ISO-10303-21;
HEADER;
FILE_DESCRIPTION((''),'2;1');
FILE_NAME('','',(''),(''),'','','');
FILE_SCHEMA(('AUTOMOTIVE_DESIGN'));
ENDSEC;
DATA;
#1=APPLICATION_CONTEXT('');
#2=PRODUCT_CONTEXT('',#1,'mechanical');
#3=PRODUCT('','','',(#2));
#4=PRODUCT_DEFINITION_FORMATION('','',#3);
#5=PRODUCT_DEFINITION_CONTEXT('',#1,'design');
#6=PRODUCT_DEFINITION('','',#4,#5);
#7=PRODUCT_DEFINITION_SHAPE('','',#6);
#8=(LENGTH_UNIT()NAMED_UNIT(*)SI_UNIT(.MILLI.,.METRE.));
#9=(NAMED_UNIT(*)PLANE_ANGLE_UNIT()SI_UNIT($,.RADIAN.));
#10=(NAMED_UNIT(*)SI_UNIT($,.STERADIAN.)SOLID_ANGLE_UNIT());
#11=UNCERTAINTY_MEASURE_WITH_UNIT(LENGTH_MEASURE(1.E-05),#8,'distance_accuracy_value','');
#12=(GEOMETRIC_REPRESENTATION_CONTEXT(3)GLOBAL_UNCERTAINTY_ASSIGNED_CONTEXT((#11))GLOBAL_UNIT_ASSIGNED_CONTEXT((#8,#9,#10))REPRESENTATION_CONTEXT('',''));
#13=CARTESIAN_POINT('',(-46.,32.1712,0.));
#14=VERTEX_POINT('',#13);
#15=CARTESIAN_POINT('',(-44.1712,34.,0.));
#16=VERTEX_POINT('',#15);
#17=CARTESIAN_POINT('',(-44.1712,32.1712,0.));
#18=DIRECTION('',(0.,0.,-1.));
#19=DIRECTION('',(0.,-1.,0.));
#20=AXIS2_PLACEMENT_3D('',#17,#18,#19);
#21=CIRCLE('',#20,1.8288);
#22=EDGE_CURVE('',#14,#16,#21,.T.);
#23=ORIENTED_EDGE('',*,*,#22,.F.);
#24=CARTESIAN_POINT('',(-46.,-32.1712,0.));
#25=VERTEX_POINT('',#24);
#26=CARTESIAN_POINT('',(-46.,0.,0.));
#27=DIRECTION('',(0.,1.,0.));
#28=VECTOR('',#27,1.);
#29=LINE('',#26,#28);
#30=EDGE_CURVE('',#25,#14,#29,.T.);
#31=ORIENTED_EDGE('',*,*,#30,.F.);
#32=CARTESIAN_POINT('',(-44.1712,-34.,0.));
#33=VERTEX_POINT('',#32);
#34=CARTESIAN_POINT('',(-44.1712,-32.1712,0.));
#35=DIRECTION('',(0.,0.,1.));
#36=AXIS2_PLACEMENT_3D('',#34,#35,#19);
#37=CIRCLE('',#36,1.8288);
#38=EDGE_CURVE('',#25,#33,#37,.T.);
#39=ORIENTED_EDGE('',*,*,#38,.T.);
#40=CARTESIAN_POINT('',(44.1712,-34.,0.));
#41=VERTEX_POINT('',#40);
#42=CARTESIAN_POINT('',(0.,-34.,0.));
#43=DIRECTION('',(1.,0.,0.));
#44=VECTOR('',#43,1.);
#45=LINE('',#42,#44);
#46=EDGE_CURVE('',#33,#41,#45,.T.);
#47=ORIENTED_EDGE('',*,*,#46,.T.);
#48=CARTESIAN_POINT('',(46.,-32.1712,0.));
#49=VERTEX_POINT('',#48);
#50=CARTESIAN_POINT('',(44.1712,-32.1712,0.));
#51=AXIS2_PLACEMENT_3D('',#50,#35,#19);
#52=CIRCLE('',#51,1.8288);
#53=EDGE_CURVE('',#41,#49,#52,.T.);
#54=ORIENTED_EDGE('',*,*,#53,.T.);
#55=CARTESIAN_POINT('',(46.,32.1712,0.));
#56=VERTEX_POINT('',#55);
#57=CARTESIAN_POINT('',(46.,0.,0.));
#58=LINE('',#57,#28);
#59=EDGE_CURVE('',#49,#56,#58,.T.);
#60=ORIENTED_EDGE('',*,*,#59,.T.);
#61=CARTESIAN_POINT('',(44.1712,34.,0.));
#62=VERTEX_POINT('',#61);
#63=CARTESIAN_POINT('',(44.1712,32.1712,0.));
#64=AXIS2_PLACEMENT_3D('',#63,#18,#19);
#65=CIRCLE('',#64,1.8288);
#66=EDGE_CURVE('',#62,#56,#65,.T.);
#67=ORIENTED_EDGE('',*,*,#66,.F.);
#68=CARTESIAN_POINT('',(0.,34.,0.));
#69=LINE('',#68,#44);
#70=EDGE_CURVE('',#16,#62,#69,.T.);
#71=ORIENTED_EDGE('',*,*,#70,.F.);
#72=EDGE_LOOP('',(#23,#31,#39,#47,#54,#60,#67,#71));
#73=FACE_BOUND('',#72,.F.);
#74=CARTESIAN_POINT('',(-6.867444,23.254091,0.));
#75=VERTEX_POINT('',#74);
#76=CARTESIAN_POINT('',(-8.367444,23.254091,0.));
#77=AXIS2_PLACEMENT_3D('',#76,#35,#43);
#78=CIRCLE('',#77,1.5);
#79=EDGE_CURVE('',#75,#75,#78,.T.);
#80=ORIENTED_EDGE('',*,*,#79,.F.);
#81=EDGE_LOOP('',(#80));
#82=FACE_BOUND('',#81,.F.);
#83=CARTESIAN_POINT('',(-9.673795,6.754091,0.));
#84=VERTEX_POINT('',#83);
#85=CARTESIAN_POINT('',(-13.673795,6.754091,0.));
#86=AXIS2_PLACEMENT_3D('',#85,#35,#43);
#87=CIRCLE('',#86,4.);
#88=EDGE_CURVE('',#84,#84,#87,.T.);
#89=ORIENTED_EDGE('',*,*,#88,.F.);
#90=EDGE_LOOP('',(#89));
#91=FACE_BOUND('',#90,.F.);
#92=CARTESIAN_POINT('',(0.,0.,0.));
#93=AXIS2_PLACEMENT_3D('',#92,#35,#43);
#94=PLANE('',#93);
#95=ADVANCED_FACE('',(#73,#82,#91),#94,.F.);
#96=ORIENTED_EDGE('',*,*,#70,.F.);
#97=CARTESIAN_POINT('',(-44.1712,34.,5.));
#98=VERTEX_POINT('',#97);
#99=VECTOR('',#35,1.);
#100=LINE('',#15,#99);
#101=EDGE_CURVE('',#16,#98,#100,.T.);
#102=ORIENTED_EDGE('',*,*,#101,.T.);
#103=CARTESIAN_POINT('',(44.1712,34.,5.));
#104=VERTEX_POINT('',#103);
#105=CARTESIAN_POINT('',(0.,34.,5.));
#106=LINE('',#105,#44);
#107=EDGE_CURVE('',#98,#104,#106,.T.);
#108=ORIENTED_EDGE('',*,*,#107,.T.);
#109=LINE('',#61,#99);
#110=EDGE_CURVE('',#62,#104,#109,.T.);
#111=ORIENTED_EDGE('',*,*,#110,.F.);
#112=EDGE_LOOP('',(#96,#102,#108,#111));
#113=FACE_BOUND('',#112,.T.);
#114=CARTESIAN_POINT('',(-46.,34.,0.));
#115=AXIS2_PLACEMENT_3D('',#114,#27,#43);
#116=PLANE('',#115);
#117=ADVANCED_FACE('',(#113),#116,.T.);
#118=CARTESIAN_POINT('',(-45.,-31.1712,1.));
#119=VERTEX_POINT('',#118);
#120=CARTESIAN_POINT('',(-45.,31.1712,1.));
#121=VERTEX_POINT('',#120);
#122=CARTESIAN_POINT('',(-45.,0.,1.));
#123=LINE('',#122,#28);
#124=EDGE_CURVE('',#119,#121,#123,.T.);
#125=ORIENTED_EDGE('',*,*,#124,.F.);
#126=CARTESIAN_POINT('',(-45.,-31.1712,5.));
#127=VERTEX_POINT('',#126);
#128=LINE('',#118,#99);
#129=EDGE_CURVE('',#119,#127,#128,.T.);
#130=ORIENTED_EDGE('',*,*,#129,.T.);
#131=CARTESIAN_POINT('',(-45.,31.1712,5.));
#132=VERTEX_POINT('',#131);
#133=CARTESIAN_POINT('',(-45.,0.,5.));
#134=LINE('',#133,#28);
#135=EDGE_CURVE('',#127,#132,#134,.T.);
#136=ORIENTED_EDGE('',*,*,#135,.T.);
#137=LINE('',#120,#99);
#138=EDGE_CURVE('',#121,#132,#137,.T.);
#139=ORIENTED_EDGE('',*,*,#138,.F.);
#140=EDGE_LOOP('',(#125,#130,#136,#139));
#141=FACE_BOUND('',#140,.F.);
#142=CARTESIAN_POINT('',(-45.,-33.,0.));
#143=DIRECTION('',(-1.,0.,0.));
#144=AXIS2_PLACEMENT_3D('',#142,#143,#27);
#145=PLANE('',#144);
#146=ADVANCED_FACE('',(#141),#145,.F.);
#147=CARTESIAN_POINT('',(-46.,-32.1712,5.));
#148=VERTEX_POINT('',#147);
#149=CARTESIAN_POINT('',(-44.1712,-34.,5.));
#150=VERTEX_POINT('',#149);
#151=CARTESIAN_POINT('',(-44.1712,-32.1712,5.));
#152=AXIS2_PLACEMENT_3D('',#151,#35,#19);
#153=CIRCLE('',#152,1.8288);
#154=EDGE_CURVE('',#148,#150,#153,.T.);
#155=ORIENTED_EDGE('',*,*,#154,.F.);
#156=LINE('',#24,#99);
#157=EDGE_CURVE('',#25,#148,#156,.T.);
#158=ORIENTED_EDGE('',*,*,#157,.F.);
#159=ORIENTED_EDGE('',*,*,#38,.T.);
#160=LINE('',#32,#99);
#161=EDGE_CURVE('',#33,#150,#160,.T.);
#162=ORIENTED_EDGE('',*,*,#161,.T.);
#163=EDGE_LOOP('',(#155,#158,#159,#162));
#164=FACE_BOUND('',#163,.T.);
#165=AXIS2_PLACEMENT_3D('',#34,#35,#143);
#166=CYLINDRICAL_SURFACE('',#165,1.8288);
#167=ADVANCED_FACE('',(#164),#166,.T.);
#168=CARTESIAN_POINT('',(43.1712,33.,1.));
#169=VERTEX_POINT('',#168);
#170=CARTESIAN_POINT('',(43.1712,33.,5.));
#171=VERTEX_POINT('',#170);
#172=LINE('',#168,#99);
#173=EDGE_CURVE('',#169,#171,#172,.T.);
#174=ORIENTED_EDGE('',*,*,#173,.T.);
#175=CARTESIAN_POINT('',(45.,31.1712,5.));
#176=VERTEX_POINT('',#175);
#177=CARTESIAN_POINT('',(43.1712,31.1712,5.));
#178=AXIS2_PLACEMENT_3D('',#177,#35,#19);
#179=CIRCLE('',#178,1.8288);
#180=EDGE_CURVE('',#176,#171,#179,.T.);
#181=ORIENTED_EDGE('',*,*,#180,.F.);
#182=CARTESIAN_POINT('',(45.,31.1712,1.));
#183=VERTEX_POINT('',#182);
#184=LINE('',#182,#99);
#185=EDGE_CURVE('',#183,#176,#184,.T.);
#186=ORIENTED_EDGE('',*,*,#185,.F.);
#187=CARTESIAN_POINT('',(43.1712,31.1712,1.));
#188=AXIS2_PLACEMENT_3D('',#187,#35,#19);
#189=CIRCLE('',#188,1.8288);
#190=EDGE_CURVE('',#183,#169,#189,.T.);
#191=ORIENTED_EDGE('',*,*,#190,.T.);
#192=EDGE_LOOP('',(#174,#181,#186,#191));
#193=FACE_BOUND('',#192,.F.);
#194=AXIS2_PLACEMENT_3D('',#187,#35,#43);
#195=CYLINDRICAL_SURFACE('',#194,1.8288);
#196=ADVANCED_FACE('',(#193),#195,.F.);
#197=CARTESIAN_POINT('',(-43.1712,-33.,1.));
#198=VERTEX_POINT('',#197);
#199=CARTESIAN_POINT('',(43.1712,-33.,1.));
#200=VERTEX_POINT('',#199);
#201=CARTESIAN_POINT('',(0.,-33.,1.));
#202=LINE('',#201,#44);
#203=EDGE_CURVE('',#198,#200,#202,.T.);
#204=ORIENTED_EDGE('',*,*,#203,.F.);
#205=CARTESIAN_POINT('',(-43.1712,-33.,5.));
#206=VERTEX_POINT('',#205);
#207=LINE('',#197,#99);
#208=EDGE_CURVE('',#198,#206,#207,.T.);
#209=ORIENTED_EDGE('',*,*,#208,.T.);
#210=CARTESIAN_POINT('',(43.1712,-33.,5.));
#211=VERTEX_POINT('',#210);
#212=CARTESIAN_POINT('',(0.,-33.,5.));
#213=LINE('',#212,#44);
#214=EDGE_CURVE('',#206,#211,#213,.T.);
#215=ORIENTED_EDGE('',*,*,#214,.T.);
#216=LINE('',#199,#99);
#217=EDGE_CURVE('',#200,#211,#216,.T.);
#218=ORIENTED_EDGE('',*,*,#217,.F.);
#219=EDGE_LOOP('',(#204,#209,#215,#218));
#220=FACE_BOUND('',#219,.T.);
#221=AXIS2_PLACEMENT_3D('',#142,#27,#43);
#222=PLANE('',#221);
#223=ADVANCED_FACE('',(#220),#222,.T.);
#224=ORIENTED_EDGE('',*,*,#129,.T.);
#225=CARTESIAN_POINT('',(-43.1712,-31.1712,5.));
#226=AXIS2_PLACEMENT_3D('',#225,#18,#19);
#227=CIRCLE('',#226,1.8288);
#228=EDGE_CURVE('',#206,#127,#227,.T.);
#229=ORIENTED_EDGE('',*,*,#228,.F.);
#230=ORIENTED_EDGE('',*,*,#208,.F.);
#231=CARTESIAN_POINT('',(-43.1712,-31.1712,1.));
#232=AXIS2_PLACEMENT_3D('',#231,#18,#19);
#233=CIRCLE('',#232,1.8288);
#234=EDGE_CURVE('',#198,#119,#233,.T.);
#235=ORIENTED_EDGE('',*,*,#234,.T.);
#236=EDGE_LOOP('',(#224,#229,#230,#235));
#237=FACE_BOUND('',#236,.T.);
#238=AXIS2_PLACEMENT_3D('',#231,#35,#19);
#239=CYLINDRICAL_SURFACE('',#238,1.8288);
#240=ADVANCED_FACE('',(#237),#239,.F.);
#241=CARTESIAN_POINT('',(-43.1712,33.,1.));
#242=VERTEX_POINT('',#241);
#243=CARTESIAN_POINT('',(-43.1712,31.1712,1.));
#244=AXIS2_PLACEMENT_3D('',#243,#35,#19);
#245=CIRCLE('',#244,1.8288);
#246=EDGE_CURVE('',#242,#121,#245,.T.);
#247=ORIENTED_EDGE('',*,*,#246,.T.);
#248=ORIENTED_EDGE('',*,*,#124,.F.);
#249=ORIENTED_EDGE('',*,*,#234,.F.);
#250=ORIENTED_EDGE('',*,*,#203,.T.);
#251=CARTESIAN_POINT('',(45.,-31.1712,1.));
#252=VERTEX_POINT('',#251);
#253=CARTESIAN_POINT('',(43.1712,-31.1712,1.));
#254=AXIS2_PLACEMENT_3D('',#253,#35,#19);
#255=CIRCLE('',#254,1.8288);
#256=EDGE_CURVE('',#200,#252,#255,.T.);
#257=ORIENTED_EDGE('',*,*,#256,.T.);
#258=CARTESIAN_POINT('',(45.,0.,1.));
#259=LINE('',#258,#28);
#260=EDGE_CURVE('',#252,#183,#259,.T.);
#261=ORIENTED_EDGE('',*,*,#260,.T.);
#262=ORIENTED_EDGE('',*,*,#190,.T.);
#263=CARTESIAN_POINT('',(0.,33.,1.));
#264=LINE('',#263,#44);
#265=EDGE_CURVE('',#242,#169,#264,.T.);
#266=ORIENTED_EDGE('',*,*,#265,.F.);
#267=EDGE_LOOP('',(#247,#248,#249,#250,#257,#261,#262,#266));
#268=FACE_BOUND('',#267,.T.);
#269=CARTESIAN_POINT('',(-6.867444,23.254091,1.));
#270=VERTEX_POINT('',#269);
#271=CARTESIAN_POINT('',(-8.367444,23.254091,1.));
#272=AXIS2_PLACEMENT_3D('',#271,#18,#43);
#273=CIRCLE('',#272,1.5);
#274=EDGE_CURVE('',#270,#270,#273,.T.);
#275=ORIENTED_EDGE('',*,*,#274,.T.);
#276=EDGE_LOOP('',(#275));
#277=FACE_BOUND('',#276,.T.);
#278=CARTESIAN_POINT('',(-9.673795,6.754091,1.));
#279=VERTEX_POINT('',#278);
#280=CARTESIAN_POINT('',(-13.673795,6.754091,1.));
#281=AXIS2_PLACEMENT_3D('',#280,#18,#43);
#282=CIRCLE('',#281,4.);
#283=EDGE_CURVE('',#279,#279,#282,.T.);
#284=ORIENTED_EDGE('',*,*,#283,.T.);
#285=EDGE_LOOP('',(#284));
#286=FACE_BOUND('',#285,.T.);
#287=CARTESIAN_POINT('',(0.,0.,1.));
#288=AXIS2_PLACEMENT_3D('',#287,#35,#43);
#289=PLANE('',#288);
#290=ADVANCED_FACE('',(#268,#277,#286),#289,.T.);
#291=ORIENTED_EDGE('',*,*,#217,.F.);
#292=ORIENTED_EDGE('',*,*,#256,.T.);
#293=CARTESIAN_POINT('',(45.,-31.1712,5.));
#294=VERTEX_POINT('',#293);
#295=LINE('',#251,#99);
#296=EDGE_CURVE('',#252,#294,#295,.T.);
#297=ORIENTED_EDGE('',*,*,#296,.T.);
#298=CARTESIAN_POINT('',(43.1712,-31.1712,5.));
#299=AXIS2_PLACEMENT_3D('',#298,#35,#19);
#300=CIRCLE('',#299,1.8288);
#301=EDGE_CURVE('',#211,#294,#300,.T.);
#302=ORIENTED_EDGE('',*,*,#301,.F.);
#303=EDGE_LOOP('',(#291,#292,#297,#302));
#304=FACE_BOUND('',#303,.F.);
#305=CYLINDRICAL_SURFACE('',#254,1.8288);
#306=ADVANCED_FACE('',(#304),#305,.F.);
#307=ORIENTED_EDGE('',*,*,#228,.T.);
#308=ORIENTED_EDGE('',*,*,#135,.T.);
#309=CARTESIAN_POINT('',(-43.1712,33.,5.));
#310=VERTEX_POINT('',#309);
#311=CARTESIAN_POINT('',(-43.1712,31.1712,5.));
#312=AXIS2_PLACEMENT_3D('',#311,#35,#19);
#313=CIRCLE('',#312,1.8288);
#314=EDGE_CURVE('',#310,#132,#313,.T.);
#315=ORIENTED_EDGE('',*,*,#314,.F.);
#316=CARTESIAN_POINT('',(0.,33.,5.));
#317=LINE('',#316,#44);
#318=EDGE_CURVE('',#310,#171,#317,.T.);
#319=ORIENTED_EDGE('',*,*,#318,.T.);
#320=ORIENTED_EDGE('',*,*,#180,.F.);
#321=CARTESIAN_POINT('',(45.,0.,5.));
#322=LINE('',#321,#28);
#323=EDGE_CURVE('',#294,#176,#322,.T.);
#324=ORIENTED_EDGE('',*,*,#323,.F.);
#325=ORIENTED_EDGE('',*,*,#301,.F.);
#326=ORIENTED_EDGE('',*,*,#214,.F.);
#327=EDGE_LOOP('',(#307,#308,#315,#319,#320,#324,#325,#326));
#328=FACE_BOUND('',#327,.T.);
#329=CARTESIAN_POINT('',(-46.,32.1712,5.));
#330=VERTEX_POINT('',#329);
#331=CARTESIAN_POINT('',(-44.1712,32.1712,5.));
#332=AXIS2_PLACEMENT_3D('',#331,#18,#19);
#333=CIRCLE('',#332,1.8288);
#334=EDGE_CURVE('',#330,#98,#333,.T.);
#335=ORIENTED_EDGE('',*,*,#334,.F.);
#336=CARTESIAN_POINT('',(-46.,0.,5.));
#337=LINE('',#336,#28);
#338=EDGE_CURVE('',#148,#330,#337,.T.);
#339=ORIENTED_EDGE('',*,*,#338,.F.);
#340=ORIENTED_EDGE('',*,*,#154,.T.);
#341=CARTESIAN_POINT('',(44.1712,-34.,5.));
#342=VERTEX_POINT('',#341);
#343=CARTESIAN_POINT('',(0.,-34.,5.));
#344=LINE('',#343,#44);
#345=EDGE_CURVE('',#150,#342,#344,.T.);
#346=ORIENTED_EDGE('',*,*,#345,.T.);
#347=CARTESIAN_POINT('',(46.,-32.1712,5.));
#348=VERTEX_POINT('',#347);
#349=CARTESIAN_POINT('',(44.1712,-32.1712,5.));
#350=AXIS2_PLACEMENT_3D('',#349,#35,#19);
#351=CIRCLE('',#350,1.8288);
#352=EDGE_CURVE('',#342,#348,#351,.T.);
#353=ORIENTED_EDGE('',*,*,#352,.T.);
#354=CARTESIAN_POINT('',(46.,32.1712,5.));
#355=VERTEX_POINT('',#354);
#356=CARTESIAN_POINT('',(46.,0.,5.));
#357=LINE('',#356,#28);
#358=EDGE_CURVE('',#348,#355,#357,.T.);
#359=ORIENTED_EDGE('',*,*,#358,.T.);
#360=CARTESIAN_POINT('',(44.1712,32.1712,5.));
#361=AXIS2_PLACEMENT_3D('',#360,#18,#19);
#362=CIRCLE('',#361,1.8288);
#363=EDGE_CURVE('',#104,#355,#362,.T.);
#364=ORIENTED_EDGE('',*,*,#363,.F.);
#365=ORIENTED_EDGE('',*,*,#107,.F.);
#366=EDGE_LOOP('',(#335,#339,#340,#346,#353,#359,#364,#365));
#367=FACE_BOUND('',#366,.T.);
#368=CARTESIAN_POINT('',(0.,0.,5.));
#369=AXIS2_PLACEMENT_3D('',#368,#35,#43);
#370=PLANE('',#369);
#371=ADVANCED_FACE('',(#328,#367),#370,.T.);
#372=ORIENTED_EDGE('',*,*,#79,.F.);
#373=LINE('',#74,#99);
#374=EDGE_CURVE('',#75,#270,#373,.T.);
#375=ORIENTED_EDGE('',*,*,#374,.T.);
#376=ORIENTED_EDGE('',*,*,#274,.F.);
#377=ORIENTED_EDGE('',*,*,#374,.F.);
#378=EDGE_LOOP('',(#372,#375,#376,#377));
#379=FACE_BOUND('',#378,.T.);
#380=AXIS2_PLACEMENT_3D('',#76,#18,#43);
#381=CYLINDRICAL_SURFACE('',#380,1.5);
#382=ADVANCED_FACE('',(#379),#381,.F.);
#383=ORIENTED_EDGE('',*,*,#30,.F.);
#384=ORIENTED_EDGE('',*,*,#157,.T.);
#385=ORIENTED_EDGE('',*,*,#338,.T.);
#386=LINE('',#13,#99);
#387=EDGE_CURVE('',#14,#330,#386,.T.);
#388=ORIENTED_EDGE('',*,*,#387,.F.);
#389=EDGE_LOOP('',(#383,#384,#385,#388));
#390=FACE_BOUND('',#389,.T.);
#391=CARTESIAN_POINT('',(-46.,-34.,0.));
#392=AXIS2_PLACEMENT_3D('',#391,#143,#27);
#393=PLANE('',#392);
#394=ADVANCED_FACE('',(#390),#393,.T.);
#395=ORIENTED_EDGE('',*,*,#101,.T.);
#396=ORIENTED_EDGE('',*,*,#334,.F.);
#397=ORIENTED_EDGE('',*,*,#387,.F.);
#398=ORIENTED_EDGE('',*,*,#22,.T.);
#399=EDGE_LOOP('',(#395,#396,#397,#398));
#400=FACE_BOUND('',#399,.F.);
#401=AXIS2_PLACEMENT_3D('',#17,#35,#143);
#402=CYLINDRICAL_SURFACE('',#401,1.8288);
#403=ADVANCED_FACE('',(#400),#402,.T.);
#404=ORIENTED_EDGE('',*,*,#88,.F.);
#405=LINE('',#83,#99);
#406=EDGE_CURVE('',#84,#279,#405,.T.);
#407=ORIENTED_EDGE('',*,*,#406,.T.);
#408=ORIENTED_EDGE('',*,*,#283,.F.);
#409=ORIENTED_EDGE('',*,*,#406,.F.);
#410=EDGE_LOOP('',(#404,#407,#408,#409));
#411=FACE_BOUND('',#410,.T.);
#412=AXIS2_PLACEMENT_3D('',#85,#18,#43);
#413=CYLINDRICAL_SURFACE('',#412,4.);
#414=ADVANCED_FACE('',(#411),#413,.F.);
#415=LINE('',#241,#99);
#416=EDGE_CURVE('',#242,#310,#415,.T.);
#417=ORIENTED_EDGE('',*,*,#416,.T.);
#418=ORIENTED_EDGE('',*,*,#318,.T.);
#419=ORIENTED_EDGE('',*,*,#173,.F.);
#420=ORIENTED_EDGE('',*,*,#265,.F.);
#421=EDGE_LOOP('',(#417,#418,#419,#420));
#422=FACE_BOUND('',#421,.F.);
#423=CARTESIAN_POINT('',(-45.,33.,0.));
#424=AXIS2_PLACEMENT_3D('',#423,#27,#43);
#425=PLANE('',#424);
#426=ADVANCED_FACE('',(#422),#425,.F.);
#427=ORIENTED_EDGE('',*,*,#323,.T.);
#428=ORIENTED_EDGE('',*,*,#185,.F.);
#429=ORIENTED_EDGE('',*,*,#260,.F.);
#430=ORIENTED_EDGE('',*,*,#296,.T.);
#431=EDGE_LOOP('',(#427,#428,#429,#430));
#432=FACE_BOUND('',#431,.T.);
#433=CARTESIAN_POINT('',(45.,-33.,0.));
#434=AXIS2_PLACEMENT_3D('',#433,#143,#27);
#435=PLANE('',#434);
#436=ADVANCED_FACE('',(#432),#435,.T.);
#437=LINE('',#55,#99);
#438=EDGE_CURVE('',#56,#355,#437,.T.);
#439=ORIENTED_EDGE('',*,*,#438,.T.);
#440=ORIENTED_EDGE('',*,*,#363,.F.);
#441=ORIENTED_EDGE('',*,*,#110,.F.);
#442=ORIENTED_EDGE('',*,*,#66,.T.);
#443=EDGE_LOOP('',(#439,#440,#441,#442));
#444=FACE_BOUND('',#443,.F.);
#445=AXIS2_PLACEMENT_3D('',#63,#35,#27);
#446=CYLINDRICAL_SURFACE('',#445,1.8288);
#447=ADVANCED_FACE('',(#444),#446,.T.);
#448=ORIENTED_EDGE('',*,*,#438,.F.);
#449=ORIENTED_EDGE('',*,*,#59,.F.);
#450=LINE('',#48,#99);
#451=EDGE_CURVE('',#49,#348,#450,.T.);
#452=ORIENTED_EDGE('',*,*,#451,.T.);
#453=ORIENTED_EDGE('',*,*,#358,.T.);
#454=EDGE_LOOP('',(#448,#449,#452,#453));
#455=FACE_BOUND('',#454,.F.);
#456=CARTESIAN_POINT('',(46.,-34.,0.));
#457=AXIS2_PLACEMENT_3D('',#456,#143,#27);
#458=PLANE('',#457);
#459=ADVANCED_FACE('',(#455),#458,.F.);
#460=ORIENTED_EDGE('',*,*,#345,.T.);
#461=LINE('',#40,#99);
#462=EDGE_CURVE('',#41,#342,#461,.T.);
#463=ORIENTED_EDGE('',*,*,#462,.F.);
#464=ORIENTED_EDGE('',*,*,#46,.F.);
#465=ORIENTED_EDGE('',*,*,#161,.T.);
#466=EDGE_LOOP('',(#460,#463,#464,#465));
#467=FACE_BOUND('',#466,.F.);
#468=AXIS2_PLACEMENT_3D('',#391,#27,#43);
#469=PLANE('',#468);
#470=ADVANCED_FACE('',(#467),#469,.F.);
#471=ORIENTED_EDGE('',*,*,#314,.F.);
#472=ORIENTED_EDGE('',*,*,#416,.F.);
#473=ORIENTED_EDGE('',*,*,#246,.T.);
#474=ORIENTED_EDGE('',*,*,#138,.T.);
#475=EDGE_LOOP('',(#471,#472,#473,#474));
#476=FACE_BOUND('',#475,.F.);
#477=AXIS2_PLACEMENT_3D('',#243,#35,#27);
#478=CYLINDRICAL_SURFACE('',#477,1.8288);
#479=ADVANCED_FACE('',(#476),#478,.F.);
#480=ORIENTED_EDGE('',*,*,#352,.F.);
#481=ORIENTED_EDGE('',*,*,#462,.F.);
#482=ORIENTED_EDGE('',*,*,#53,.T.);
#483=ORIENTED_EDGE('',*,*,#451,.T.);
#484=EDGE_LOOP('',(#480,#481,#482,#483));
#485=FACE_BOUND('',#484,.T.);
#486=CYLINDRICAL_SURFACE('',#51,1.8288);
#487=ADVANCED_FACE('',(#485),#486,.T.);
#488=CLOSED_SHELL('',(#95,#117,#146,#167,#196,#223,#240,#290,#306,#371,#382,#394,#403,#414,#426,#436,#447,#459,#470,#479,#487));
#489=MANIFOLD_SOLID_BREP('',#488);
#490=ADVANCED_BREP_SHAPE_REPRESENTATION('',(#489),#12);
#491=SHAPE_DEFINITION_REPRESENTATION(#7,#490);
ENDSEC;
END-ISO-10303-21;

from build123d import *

# Parameters (mm, degrees)
F0_W     = 92
F0_H     = 68
F0_W_2   = 90
F0_H_2   = 66
F2_DEPTH = 5
F3_DEPTH = 1
F1_R     = 4
F1_R_2   = 1.5
F4_DEPTH = 2.54
F5_R     = 1.8288


with BuildPart() as f2:
    # F0 (on Top) → F2 (new body)
    with BuildSketch(Plane.XY):
        Rectangle(F0_W, F0_H)
        Rectangle(F0_W_2, F0_H_2, mode=Mode.SUBTRACT)
    extrude(amount=F2_DEPTH)

    # F0 (on Top) → F3 (join)
    with BuildSketch(Plane.XY):
        Rectangle(F0_W_2, F0_H_2)
    extrude(amount=F3_DEPTH)

    # F1 (on Top) → F4 (cut)
    with BuildSketch(Plane.XY):
        with Locations((-13.673795, 6.754091)):
            Circle(F1_R)
        with Locations((-8.367444, 23.254091)):
            Circle(F1_R_2)
    extrude(amount=F4_DEPTH, mode=Mode.SUBTRACT)

    # F5
    f5_edges = [f2.edges().sort_by_distance(p)[0] for p in [
        (-45, 33, 3),
        (45, 33, 3),
        (-45, -33, 3),
        (45, -33, 3),
        (46, -34, 2.5),
        (-46, -34, 2.5),
        (-46, 34, 2.5),
        (46, 34, 2.5),
    ]]
    fillet(f5_edges, radius=F5_R)


solid = f2.part
